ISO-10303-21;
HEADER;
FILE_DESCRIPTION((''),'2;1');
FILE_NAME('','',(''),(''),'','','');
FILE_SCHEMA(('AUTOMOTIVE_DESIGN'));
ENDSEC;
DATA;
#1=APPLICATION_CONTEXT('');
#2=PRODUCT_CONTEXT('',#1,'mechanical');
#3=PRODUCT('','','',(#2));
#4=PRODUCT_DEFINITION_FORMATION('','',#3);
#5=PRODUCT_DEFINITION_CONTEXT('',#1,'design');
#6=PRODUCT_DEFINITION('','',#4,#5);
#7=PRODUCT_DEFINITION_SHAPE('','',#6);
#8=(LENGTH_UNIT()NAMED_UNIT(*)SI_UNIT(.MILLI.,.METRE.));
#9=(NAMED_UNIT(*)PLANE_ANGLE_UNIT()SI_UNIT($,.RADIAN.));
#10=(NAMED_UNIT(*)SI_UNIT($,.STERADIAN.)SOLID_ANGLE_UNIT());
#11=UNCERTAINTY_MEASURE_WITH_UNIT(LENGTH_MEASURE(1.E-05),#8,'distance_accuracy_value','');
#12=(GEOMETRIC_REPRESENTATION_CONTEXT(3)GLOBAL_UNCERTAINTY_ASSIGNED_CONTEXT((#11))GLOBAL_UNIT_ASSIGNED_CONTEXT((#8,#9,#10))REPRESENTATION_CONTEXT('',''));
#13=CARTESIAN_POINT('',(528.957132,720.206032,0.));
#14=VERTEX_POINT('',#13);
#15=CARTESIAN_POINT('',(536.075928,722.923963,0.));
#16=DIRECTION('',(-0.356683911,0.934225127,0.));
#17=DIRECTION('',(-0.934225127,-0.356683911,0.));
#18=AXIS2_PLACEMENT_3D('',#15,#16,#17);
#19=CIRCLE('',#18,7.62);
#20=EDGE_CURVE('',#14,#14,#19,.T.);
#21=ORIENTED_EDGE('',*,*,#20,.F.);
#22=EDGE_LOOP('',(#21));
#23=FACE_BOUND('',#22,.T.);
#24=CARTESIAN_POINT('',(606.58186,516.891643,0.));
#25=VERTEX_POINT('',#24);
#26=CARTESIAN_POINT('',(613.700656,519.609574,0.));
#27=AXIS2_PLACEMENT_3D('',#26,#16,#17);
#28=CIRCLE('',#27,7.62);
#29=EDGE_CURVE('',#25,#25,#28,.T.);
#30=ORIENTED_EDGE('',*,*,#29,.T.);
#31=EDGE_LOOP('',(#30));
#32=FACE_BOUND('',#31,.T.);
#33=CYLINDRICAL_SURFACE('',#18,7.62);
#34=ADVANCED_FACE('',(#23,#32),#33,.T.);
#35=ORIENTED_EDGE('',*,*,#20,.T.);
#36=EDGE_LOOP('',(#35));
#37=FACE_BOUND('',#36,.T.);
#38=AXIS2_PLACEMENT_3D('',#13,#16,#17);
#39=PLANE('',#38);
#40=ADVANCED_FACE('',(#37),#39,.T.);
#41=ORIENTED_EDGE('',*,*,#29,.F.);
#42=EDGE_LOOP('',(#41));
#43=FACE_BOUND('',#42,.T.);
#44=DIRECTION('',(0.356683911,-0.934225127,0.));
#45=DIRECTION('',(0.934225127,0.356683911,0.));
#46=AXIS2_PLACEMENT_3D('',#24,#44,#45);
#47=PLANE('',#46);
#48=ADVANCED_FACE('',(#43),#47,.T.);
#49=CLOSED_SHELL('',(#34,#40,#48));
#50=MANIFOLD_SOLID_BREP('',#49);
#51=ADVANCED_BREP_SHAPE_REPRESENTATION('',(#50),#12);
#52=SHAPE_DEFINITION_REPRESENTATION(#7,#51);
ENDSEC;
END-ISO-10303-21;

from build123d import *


with BuildPart() as part:
    # Sketch1 → Revolve1 (revolve)
    with BuildSketch(Plane.XY):
        Polygon((536.075927907, 722.923963252), (613.700655846, 519.609574418), (606.581860379, 516.891643018), (528.957132439, 720.206031852), align=None)
    revolve(axis=Axis((536.075927907, 722.923963252, 0), (0.356683911, -0.934225127, 0)))


solid = part.part
